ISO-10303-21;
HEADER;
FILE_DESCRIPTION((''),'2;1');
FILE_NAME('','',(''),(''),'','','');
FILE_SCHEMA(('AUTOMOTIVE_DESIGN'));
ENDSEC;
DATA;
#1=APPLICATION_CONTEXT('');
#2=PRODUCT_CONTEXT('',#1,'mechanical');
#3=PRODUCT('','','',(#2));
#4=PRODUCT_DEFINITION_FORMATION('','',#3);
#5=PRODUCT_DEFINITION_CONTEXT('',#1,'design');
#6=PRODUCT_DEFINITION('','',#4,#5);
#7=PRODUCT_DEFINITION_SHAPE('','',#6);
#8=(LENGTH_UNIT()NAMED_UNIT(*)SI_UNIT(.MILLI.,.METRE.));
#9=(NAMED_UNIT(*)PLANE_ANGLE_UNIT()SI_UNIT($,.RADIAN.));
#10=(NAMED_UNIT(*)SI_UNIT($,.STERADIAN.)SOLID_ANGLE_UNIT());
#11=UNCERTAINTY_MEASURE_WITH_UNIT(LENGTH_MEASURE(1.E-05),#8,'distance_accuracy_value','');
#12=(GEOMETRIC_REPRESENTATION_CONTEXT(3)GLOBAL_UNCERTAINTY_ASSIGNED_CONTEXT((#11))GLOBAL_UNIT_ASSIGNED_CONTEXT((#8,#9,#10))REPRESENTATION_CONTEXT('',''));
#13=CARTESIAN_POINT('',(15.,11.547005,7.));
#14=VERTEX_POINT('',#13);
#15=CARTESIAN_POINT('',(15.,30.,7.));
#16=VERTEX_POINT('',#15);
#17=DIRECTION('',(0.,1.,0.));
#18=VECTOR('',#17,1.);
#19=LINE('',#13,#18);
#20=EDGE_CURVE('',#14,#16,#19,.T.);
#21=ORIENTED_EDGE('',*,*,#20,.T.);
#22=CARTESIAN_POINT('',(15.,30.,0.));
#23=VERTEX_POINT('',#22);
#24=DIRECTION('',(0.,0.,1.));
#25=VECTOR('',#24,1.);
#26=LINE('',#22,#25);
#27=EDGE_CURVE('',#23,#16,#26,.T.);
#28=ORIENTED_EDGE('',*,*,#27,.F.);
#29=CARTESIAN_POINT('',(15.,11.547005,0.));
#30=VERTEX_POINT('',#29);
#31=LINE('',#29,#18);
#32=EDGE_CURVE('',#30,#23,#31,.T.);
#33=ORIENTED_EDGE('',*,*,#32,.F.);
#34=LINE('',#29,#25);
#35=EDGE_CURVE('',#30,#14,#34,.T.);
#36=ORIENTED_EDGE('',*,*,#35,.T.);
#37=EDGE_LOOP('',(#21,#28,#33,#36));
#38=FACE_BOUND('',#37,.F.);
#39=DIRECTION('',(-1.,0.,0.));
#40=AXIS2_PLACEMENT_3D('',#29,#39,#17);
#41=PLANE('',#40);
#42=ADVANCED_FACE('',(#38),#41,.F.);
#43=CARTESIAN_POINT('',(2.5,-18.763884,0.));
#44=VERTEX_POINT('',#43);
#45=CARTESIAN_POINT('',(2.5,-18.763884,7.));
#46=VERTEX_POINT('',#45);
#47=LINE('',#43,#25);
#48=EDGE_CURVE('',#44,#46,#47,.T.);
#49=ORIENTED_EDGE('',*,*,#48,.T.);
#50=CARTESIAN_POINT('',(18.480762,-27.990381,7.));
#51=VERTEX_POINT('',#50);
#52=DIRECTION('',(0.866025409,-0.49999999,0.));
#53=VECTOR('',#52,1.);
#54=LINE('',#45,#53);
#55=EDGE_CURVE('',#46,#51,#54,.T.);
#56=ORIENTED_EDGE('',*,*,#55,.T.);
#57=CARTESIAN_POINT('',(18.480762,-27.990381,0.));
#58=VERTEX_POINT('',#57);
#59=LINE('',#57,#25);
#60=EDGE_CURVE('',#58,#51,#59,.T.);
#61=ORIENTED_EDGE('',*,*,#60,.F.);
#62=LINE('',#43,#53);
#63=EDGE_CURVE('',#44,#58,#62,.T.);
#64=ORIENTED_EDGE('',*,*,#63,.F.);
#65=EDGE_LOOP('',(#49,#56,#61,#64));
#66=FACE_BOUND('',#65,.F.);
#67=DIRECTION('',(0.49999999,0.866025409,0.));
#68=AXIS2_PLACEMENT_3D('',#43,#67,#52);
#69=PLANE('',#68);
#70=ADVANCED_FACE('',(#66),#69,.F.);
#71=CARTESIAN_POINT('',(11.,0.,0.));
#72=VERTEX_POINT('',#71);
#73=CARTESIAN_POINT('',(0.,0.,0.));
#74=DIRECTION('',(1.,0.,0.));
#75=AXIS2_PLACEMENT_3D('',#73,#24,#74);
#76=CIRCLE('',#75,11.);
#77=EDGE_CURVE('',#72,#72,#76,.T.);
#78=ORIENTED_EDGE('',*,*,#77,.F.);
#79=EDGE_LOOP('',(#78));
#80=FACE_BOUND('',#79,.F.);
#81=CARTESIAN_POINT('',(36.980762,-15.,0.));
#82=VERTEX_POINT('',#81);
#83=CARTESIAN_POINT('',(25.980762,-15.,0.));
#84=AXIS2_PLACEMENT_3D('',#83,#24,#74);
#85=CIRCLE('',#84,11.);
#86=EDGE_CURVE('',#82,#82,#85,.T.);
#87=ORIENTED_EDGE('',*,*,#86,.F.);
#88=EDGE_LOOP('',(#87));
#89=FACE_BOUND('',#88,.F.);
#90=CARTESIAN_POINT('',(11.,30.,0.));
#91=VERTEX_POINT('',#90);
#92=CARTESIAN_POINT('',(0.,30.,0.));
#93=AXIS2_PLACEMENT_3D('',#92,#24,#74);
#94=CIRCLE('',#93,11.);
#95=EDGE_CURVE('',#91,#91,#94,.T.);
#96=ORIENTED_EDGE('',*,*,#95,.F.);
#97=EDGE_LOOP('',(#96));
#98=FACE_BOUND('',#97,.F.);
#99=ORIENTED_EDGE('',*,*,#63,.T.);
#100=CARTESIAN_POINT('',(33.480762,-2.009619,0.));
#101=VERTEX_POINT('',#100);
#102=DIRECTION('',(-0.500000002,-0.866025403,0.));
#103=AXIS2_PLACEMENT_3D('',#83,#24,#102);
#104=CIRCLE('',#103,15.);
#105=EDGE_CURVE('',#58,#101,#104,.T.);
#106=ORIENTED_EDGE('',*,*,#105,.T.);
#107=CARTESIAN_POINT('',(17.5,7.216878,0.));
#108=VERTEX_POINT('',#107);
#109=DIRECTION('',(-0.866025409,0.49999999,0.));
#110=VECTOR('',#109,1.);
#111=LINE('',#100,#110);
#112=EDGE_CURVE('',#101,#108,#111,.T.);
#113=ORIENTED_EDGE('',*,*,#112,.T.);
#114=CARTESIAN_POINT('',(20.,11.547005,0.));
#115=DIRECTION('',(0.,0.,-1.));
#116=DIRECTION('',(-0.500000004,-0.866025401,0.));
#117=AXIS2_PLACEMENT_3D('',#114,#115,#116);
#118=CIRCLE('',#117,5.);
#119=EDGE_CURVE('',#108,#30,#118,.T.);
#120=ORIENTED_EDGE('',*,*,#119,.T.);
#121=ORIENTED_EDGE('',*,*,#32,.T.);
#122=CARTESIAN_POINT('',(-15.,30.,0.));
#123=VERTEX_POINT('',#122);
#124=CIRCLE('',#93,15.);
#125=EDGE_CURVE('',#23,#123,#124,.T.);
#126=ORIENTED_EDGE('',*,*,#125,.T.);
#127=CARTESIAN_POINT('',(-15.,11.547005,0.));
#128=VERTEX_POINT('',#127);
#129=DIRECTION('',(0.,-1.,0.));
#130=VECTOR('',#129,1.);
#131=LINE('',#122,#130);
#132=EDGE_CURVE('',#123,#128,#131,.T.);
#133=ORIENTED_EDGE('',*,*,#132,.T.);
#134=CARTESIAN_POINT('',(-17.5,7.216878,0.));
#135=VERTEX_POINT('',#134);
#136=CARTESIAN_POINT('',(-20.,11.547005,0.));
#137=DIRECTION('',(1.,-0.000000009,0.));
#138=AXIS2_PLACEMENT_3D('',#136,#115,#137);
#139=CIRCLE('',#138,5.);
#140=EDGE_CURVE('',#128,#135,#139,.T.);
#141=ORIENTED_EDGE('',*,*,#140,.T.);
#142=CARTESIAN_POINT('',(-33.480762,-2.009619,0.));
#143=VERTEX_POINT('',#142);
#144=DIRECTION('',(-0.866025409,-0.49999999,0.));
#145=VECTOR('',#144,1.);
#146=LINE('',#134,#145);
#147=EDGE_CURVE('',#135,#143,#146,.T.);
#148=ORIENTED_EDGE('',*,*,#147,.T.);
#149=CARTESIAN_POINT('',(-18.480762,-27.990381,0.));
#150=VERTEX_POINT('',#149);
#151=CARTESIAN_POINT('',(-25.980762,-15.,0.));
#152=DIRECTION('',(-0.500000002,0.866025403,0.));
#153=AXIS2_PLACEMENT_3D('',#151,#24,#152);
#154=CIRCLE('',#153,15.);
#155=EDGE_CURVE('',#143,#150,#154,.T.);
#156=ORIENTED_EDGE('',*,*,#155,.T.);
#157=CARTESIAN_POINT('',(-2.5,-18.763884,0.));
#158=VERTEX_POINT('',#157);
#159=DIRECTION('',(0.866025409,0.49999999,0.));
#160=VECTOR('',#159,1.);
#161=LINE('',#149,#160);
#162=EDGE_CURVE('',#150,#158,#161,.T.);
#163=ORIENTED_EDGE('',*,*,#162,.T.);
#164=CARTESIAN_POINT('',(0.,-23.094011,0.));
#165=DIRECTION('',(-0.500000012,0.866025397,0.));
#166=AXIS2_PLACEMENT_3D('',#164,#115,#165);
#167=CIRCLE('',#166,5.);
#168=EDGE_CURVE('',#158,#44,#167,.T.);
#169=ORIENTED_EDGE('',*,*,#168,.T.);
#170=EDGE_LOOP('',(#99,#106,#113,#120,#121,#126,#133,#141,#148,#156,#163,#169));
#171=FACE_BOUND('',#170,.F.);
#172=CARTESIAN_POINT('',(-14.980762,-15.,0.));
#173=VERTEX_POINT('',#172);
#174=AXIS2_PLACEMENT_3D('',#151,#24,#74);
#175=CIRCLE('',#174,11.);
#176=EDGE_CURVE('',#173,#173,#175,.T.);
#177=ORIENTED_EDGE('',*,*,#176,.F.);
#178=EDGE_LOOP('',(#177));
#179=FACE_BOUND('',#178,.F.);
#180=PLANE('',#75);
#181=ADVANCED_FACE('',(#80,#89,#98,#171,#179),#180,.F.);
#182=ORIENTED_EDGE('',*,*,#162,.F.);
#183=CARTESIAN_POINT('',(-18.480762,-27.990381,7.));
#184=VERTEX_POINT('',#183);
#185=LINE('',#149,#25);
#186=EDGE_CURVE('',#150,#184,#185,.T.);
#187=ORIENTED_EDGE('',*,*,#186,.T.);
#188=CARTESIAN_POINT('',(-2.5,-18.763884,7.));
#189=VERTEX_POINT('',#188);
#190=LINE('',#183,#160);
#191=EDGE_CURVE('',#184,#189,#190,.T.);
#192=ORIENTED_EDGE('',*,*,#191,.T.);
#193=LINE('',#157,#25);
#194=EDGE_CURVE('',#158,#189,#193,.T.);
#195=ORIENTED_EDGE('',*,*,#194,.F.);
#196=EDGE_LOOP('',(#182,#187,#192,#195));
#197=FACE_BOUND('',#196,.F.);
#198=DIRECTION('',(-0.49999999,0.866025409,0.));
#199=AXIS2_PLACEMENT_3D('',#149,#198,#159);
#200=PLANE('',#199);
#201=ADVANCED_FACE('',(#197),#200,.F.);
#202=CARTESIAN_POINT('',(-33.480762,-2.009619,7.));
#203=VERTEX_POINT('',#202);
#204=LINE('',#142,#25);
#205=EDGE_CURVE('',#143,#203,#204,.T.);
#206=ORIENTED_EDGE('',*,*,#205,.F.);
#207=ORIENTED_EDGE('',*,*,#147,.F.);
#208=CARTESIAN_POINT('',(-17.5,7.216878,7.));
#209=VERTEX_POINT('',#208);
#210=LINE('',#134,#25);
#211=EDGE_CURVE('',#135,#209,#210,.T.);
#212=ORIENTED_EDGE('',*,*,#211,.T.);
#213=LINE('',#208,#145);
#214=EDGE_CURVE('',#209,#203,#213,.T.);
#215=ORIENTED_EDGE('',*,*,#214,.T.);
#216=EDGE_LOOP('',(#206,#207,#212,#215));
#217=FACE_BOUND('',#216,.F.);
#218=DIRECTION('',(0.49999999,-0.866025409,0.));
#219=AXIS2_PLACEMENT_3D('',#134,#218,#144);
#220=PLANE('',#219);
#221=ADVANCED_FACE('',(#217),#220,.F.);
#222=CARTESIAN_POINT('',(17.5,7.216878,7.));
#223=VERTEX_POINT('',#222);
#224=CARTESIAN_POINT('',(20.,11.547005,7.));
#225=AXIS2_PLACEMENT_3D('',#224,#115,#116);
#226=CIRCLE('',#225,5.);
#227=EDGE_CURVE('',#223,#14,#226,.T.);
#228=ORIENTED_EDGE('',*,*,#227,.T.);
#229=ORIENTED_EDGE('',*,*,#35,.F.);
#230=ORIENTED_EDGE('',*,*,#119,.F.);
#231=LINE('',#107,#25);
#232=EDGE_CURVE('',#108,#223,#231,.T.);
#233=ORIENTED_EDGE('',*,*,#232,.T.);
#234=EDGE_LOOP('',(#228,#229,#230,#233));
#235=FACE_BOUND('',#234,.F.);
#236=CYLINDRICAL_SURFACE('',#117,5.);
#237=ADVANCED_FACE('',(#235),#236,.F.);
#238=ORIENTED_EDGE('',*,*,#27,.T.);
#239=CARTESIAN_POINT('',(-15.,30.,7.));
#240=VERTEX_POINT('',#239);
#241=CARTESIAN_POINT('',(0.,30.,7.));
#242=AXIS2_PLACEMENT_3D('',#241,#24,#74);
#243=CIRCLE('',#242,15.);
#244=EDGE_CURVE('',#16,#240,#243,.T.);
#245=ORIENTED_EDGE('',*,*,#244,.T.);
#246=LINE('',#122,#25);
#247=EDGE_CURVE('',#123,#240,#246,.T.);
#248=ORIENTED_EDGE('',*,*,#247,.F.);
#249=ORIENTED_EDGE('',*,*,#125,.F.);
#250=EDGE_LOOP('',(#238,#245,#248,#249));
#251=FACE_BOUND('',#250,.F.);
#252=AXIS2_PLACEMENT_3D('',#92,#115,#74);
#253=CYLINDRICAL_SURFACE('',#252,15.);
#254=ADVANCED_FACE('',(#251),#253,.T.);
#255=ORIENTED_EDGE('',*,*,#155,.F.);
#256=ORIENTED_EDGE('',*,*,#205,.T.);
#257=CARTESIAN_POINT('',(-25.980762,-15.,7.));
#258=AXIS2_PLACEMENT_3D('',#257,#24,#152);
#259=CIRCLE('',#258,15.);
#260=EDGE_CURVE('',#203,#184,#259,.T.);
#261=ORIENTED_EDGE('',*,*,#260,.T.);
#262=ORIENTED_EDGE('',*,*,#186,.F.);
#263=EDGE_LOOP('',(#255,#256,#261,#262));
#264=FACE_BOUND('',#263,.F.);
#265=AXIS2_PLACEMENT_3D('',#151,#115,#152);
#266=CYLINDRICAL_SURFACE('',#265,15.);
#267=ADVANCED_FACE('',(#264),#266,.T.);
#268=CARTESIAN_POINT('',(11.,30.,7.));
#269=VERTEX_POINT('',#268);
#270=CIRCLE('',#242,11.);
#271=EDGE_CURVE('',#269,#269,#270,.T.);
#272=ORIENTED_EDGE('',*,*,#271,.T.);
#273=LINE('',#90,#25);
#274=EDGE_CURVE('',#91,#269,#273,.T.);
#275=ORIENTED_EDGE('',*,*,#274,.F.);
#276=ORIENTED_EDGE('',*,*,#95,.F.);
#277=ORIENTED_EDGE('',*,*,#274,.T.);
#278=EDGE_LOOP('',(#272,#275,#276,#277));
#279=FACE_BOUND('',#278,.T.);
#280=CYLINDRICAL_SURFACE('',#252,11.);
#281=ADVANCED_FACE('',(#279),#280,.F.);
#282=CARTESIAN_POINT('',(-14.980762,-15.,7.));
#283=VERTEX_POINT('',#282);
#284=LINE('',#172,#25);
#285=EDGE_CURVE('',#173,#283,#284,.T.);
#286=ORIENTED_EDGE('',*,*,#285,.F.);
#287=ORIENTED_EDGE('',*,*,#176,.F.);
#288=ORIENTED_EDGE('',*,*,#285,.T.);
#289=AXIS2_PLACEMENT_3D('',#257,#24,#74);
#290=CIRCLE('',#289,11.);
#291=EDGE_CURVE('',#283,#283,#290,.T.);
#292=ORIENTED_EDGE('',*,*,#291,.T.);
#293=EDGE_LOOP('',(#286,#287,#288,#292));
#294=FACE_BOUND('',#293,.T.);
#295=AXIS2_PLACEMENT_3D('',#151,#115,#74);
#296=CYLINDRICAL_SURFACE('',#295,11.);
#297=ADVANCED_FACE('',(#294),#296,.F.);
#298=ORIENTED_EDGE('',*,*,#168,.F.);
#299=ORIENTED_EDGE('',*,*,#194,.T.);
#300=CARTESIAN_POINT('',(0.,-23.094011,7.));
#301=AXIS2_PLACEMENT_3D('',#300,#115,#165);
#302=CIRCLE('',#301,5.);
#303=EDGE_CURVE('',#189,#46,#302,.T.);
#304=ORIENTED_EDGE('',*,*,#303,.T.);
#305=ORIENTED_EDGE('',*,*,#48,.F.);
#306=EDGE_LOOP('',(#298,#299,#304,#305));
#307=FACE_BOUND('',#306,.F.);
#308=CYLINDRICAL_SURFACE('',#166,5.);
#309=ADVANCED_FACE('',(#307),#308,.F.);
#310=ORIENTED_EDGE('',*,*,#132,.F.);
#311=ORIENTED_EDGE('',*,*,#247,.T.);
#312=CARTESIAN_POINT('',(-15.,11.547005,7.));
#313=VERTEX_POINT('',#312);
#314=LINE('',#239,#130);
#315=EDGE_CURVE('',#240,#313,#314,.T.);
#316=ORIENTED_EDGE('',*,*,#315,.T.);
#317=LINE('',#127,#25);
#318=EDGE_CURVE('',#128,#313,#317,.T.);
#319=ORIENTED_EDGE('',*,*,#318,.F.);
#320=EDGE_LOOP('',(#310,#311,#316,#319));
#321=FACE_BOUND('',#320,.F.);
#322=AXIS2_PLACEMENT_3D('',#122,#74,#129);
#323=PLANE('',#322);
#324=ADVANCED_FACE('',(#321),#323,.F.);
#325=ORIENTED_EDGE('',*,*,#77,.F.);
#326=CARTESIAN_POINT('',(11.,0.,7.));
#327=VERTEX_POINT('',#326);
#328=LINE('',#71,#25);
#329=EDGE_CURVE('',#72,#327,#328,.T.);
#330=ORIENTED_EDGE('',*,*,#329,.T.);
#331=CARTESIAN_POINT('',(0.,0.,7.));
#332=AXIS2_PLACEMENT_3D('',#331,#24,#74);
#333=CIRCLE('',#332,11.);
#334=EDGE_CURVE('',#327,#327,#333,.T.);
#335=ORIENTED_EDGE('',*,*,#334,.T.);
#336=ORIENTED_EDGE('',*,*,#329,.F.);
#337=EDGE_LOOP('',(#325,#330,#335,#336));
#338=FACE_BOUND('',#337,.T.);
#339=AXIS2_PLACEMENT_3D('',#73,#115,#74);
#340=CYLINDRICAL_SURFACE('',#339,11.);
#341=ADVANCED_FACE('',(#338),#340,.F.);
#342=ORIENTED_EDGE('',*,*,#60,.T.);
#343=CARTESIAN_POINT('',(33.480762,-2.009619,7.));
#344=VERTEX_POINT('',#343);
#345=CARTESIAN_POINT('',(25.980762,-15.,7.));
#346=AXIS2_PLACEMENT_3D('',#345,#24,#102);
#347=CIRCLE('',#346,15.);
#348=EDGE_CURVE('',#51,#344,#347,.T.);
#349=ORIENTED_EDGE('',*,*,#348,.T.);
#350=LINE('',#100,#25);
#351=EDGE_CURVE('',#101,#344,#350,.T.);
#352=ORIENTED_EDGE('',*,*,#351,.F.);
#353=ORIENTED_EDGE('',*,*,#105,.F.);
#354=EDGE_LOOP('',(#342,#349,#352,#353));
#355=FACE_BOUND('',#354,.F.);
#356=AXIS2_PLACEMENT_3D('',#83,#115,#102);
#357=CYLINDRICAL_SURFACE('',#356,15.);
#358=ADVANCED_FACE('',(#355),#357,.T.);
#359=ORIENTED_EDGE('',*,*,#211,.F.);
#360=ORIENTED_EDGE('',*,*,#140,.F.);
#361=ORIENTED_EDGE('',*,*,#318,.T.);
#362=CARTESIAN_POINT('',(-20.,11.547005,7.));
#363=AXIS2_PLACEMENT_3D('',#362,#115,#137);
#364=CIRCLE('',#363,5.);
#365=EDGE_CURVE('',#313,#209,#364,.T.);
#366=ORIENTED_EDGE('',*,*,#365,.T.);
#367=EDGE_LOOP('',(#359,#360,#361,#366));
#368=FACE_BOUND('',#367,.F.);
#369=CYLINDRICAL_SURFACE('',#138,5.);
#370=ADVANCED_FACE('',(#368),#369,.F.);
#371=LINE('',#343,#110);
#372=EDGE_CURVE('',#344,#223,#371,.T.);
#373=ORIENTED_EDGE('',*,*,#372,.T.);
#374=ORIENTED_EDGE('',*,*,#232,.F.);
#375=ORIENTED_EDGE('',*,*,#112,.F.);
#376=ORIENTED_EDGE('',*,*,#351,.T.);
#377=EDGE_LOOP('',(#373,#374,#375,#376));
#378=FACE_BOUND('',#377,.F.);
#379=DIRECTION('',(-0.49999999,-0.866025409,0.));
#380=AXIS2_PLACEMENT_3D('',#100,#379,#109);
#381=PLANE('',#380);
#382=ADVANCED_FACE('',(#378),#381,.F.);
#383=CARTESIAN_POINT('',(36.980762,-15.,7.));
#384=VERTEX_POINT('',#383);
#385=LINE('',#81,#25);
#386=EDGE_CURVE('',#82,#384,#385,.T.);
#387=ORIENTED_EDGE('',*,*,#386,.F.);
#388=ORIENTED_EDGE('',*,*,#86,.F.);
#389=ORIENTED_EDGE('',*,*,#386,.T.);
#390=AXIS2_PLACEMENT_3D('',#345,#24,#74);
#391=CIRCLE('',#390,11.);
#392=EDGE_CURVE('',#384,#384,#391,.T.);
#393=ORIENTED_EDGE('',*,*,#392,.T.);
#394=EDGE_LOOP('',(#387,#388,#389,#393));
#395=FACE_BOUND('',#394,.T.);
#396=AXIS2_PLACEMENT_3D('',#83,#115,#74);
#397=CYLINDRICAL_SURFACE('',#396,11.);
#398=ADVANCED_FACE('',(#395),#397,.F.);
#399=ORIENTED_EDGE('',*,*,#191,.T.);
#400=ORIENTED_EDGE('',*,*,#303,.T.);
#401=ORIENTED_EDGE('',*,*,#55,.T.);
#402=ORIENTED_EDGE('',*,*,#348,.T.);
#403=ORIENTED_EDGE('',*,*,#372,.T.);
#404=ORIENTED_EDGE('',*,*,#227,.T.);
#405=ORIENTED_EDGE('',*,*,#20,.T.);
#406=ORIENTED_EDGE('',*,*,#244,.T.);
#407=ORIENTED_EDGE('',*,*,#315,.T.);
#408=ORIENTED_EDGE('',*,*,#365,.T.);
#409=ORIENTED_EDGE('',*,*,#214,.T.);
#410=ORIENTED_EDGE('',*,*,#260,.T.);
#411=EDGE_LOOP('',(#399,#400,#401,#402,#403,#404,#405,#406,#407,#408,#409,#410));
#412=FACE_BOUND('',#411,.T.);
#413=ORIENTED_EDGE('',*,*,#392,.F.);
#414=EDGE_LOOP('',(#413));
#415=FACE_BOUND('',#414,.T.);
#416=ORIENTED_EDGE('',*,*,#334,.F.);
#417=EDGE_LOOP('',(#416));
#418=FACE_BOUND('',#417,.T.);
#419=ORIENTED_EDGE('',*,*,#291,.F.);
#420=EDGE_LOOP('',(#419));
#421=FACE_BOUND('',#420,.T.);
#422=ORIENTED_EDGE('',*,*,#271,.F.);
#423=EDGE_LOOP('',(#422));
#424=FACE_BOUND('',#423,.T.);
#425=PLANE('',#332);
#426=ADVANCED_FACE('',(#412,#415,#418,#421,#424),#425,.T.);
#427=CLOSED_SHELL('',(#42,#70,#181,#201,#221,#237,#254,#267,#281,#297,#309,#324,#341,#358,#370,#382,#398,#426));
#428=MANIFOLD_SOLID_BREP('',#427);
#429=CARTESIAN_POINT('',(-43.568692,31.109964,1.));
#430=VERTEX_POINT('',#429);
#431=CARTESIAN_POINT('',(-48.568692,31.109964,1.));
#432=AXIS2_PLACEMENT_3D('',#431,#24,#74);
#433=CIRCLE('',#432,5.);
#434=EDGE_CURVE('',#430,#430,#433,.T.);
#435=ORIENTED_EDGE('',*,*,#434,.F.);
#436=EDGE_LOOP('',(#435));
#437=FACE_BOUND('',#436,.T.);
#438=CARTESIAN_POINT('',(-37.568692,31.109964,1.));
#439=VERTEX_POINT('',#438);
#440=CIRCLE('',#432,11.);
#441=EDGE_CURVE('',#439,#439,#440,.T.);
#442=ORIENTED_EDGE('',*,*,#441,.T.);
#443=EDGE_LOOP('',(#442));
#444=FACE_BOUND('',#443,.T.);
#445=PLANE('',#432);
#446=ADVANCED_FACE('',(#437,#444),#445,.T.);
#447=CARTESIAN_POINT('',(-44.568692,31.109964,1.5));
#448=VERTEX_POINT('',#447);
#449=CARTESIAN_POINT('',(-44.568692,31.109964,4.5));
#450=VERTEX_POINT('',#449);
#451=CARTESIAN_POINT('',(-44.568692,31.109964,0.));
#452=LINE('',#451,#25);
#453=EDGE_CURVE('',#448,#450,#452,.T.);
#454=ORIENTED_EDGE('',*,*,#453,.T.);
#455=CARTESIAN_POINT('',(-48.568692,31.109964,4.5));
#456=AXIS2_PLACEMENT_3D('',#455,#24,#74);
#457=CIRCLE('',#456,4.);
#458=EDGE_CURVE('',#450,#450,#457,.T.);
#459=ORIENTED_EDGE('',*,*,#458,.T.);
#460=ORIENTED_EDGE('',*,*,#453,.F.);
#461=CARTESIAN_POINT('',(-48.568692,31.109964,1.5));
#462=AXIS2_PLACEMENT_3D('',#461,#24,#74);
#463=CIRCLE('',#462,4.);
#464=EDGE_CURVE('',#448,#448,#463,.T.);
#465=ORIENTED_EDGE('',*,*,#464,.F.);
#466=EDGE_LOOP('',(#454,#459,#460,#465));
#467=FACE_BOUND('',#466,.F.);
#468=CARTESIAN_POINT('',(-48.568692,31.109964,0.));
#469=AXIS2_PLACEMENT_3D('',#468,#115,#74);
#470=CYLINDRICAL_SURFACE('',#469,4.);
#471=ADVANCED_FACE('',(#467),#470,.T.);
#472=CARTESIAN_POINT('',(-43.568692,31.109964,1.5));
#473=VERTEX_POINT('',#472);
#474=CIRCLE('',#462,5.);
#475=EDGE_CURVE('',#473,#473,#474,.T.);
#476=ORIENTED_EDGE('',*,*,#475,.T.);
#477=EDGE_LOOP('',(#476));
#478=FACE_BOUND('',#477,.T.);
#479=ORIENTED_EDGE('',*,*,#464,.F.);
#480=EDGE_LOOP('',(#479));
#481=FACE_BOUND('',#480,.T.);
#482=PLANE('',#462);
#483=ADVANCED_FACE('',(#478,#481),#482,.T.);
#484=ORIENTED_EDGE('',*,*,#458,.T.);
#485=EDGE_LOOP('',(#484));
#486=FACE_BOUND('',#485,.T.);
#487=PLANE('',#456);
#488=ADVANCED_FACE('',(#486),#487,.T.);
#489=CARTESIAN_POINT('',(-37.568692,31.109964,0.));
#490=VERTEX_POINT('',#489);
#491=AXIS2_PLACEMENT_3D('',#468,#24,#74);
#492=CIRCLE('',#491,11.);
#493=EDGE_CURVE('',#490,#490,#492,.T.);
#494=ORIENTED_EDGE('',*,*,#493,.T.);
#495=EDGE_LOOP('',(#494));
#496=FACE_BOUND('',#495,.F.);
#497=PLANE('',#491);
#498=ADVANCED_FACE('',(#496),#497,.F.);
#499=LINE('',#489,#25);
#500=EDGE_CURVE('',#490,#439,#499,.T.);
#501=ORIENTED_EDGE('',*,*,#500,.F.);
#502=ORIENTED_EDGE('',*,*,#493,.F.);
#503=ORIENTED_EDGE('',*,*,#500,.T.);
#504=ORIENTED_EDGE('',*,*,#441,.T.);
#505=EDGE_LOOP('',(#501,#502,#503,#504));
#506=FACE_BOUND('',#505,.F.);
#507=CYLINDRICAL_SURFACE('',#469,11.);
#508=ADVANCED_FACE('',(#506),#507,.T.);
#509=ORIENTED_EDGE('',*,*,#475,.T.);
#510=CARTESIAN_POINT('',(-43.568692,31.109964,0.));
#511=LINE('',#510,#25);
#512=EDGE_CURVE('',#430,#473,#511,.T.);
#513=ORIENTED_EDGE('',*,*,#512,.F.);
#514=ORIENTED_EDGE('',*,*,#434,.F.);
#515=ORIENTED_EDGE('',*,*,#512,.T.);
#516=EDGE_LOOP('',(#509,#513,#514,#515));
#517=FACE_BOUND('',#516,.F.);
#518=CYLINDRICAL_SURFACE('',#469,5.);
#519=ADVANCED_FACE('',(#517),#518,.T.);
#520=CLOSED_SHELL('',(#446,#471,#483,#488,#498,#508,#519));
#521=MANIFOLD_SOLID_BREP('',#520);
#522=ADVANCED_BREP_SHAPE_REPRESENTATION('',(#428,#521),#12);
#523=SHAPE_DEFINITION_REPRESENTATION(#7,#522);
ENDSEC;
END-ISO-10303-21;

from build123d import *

# Parameters (mm, degrees)
F0_R     = 11
F0_R_2   = 15
F1_DEPTH = 7
F0_R_3   = 4
F2_DEPTH = 4.5
F0_R_4   = 5
F3_DEPTH = 1.5
F4_DEPTH = 1


with BuildPart() as f1:
    # F0 (on Top) → F1 (new body)
    with BuildSketch(Plane.XY):
        with BuildLine():
            Line((15, 11.547005), (15, 30))
            ThreePointArc((15, 30), (0, 45), (-15, 30))
            Line((-15, 30), (-15, 11.547005))
            ThreePointArc((-15, 11.547005), (-15.669873, 9.047005), (-17.5, 7.216878))
            Line((-17.5, 7.216878), (-33.480762, -2.009619))
            ThreePointArc((-33.480762, -2.009619), (-38.971143, -22.5), (-18.480762, -27.990381))
            Line((-18.480762, -27.990381), (-2.5, -18.763884))
            ThreePointArc((-2.5, -18.763884), (0, -18.094011), (2.5, -18.763884))
            Line((2.5, -18.763884), (18.480762, -27.990381))
            ThreePointArc((18.480762, -27.990381), (38.971143, -22.5), (33.480762, -2.009619))
            Line((33.480762, -2.009619), (17.5, 7.216878))
            ThreePointArc((17.5, 7.216878), (15.669873, 9.047005), (15, 11.547005))
        make_face()
        with Locations((-25.980762, -15)):
            Circle(F0_R, mode=Mode.SUBTRACT)
        with Locations((25.980762, -15)):
            Circle(F0_R, mode=Mode.SUBTRACT)
        Circle(F0_R_2, mode=Mode.SUBTRACT)
        with Locations((0, 30)):
            Circle(F0_R, mode=Mode.SUBTRACT)
        Circle(F0_R_2)
        Circle(F0_R, mode=Mode.SUBTRACT)
    extrude(amount=F1_DEPTH)


with BuildPart() as f2:
    # F0 (on Top) → F2 (new body)
    with BuildSketch(Plane.XY):
        with Locations((-48.568692, 31.109964)):
            Circle(F0_R_3)
    extrude(amount=F2_DEPTH)

    # F0 (on Top) → F3 (join)
    with BuildSketch(Plane.XY):
        with Locations((-48.568692, 31.109964)):
            Circle(F0_R_4)
        with Locations((-48.568692, 31.109964)):
            Circle(F0_R_3, mode=Mode.SUBTRACT)
    extrude(amount=F3_DEPTH)

    # F0 (on Top) → F4 (join)
    with BuildSketch(Plane.XY):
        with Locations((-48.568692, 31.109964)):
            Circle(F0_R)
        with Locations((-48.568692, 31.109964)):
            Circle(F0_R_4, mode=Mode.SUBTRACT)
    extrude(amount=F4_DEPTH)


solid = Compound([f1.part, f2.part])
